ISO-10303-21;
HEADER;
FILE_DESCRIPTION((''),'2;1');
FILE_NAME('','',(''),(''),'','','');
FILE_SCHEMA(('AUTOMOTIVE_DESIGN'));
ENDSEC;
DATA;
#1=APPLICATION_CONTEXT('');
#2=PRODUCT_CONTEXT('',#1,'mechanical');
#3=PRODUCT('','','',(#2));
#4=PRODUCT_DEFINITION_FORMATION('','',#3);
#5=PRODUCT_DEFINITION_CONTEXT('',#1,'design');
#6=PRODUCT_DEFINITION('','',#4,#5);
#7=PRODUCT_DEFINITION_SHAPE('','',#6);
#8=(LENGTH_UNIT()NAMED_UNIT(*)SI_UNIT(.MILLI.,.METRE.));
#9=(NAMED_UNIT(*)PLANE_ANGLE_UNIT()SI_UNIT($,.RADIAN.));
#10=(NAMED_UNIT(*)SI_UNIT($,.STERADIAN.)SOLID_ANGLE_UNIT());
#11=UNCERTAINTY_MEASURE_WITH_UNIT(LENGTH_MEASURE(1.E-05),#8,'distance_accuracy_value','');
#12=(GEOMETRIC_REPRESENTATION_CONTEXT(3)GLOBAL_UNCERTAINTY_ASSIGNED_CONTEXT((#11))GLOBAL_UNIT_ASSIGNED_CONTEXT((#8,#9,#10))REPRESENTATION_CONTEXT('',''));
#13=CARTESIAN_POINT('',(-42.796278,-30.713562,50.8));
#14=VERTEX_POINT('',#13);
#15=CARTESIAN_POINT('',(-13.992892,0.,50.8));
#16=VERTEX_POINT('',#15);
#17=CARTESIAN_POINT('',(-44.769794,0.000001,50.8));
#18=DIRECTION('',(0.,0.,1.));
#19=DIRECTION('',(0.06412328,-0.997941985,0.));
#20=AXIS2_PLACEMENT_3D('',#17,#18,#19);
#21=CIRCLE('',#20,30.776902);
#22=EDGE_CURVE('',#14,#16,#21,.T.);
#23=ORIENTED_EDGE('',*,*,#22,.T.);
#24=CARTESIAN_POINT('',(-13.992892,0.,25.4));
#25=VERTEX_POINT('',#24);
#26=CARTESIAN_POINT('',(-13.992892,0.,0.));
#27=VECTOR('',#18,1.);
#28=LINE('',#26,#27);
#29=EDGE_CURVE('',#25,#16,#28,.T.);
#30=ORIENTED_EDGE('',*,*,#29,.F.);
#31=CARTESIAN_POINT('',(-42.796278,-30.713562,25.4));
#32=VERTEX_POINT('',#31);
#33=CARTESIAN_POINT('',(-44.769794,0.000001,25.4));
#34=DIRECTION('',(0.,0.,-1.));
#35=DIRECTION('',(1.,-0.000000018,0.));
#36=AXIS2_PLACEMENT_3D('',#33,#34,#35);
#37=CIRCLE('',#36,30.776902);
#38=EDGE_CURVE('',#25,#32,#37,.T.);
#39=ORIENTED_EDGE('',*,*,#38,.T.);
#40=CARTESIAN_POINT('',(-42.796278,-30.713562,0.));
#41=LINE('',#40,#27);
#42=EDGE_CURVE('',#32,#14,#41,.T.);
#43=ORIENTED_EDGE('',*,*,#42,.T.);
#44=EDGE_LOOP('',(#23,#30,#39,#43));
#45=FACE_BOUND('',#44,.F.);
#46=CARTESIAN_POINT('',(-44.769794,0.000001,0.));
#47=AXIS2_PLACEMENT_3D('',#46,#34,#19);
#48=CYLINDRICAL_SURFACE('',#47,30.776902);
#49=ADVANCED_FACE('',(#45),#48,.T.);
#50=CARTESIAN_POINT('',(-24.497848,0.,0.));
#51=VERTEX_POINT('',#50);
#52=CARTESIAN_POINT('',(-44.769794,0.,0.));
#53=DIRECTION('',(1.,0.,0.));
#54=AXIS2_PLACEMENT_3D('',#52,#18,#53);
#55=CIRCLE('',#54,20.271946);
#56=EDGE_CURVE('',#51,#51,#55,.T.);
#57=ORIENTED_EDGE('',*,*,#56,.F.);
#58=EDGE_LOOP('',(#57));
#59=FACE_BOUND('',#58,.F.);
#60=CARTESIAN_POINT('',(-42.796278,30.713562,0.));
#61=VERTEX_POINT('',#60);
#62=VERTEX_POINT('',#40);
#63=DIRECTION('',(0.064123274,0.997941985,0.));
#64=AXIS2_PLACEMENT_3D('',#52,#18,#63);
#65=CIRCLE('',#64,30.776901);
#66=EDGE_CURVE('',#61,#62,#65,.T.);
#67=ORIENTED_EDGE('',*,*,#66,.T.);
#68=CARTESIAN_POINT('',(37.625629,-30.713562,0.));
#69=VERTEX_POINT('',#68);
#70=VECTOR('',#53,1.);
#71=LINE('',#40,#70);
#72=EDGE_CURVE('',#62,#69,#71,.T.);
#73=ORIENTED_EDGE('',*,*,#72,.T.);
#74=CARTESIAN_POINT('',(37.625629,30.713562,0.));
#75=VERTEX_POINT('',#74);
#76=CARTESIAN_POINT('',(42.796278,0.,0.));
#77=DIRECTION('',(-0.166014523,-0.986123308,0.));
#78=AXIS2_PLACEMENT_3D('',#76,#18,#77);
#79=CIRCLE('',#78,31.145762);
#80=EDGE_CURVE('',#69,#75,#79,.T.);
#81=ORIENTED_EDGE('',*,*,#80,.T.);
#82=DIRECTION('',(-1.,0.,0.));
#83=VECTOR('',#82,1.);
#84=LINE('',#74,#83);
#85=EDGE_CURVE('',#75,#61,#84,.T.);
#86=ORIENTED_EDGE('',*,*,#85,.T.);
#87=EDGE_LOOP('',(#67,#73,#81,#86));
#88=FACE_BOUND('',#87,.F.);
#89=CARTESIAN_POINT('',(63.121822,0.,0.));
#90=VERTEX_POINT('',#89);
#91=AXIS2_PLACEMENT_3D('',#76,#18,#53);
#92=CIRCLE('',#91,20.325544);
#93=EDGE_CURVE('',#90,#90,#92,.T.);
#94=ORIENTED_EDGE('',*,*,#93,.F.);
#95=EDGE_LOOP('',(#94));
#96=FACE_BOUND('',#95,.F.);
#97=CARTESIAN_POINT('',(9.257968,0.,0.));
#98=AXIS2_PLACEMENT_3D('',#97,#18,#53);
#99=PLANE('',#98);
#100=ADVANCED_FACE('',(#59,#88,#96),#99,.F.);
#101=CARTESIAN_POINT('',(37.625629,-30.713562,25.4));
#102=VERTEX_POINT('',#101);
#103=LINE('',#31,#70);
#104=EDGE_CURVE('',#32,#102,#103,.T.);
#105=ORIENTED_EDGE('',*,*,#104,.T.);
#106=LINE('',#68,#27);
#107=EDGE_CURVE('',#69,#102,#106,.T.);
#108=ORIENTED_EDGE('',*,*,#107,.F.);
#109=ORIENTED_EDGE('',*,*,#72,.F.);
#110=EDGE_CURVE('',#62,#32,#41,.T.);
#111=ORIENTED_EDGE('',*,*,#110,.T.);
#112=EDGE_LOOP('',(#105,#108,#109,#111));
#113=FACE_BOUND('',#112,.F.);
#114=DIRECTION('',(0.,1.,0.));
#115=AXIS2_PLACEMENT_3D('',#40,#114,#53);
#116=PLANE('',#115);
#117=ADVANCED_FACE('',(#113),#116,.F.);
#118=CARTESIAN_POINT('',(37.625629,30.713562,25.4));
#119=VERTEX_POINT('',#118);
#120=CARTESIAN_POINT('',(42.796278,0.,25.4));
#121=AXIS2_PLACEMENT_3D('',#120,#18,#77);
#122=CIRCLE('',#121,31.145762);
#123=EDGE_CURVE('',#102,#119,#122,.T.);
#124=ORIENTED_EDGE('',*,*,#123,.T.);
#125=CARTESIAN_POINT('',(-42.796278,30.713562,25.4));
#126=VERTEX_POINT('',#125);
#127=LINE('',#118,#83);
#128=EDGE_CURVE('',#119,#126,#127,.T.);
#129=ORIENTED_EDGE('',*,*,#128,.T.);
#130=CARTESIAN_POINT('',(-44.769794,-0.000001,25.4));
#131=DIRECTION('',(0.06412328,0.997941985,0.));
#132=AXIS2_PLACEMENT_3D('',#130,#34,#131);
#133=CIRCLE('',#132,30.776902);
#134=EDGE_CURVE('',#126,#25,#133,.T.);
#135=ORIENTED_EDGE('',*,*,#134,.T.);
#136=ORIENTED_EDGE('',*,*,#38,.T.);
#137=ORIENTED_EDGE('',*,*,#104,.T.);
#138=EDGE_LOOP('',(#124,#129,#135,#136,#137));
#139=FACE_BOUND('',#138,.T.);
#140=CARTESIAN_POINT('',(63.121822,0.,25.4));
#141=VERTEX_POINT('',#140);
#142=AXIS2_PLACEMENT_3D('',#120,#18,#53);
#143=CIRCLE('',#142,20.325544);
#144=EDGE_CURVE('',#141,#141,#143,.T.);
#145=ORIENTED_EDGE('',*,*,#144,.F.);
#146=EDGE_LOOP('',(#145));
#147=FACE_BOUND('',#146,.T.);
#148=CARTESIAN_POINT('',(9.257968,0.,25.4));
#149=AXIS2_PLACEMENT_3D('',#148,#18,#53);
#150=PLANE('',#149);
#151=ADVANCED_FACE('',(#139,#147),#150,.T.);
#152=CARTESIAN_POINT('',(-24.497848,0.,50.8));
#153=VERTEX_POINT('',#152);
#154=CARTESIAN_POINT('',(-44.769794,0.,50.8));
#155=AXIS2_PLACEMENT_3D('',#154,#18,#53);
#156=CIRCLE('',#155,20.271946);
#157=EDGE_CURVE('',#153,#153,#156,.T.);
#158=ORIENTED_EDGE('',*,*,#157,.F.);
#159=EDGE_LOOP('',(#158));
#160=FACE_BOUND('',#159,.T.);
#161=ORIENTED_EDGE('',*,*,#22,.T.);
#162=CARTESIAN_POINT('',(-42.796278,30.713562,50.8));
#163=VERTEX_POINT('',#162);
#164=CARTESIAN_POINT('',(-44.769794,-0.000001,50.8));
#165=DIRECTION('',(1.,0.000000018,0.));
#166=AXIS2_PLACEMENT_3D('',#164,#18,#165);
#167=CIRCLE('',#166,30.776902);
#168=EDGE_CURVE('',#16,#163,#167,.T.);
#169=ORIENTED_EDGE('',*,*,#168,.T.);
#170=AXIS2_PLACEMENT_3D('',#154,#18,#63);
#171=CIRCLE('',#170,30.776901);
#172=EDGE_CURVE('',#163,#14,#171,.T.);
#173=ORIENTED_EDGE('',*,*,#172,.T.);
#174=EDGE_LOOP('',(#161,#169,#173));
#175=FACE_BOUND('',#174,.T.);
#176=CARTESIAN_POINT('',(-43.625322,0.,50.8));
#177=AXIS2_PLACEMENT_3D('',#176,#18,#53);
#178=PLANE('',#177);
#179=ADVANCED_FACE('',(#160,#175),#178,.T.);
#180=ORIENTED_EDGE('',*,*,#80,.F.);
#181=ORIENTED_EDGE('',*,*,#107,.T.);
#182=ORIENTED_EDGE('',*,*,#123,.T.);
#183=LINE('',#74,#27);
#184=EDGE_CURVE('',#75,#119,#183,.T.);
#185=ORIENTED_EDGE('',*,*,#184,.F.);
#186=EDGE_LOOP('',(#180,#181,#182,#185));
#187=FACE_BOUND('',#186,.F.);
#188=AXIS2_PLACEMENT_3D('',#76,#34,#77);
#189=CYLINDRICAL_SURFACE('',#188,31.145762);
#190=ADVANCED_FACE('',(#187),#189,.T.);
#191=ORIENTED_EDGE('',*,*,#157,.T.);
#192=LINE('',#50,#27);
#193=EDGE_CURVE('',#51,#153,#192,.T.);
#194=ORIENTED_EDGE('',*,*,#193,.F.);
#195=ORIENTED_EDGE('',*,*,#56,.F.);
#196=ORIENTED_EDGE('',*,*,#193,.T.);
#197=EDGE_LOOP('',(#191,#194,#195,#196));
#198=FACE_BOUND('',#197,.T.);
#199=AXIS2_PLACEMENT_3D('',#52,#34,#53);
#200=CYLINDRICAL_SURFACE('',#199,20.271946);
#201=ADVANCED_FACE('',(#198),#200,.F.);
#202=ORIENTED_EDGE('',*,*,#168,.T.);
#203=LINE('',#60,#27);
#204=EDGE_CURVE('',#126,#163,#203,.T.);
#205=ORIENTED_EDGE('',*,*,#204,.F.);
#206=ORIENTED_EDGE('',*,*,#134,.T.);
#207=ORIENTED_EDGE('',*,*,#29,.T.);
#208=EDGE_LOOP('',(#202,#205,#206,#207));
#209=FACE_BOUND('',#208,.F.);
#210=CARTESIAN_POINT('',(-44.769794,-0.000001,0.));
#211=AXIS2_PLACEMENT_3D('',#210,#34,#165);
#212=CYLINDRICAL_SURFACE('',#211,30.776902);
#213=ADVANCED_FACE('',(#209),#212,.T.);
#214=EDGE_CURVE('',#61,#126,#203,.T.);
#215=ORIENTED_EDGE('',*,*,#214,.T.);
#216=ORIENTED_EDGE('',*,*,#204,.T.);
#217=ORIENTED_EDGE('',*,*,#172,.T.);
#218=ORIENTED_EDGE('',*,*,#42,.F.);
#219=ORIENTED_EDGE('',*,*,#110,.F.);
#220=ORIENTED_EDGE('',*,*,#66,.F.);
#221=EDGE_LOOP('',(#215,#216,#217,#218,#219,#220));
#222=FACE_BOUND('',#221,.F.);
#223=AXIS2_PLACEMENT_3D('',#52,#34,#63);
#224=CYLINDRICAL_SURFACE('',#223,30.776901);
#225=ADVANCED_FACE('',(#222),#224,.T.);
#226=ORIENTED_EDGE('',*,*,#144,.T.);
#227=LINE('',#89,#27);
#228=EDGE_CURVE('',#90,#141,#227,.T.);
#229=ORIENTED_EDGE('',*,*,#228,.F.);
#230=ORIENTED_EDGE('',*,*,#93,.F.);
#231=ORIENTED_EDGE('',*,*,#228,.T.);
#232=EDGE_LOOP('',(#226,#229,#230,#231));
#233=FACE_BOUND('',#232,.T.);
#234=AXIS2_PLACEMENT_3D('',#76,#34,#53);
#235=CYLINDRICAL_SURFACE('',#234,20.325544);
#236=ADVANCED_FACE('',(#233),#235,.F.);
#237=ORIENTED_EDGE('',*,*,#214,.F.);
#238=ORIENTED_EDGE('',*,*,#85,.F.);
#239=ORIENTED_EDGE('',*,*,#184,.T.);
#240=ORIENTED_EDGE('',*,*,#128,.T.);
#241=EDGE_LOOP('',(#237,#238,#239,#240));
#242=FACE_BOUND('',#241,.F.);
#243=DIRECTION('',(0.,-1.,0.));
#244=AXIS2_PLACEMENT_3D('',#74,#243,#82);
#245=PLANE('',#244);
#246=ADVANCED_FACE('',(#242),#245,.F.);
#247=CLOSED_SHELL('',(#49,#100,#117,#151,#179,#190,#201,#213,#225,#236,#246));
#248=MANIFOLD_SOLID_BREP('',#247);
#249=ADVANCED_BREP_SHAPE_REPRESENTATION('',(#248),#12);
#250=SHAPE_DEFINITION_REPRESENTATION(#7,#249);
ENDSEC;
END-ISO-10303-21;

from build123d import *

# Parameters (mm, degrees)
F0_R     = 20.271946
F1_DEPTH = 50.8
F0_R_2   = 20.325544
F2_DEPTH = 25.4


with BuildPart() as f1:
    # F0 (on Top) → F1 (new body)
    with BuildSketch(Plane.XY):
        with BuildLine():
            ThreePointArc((-42.796278, -30.713562), (-22.320335, -21.053253), (-13.992892, 0))
            ThreePointArc((-13.992892, 0), (-22.320335, 21.053253), (-42.796278, 30.713562))
            ThreePointArc((-42.796278, 30.713562), (-75.546695, 0), (-42.796278, -30.713562))
        make_face()
        with Locations((-44.769794, 0)):
            Circle(F0_R, mode=Mode.SUBTRACT)
    extrude(amount=F1_DEPTH)

    # F0 (on Top) → F2 (join)
    with BuildSketch(Plane.XY):
        with BuildLine():
            ThreePointArc((-42.796278, 30.713562), (-22.320335, 21.053253), (-13.992892, 0))
            ThreePointArc((-13.992892, 0), (-22.320335, -21.053253), (-42.796278, -30.713562))
            Line((-42.796278, -30.713562), (37.625629, -30.713562))
            ThreePointArc((37.625629, -30.713562), (73.94204, 0), (37.625629, 30.713562))
            Line((37.625629, 30.713562), (-42.796278, 30.713562))
        make_face()
        with Locations((42.796278, 0)):
            Circle(F0_R_2, mode=Mode.SUBTRACT)
    extrude(amount=F2_DEPTH)


solid = f1.part
